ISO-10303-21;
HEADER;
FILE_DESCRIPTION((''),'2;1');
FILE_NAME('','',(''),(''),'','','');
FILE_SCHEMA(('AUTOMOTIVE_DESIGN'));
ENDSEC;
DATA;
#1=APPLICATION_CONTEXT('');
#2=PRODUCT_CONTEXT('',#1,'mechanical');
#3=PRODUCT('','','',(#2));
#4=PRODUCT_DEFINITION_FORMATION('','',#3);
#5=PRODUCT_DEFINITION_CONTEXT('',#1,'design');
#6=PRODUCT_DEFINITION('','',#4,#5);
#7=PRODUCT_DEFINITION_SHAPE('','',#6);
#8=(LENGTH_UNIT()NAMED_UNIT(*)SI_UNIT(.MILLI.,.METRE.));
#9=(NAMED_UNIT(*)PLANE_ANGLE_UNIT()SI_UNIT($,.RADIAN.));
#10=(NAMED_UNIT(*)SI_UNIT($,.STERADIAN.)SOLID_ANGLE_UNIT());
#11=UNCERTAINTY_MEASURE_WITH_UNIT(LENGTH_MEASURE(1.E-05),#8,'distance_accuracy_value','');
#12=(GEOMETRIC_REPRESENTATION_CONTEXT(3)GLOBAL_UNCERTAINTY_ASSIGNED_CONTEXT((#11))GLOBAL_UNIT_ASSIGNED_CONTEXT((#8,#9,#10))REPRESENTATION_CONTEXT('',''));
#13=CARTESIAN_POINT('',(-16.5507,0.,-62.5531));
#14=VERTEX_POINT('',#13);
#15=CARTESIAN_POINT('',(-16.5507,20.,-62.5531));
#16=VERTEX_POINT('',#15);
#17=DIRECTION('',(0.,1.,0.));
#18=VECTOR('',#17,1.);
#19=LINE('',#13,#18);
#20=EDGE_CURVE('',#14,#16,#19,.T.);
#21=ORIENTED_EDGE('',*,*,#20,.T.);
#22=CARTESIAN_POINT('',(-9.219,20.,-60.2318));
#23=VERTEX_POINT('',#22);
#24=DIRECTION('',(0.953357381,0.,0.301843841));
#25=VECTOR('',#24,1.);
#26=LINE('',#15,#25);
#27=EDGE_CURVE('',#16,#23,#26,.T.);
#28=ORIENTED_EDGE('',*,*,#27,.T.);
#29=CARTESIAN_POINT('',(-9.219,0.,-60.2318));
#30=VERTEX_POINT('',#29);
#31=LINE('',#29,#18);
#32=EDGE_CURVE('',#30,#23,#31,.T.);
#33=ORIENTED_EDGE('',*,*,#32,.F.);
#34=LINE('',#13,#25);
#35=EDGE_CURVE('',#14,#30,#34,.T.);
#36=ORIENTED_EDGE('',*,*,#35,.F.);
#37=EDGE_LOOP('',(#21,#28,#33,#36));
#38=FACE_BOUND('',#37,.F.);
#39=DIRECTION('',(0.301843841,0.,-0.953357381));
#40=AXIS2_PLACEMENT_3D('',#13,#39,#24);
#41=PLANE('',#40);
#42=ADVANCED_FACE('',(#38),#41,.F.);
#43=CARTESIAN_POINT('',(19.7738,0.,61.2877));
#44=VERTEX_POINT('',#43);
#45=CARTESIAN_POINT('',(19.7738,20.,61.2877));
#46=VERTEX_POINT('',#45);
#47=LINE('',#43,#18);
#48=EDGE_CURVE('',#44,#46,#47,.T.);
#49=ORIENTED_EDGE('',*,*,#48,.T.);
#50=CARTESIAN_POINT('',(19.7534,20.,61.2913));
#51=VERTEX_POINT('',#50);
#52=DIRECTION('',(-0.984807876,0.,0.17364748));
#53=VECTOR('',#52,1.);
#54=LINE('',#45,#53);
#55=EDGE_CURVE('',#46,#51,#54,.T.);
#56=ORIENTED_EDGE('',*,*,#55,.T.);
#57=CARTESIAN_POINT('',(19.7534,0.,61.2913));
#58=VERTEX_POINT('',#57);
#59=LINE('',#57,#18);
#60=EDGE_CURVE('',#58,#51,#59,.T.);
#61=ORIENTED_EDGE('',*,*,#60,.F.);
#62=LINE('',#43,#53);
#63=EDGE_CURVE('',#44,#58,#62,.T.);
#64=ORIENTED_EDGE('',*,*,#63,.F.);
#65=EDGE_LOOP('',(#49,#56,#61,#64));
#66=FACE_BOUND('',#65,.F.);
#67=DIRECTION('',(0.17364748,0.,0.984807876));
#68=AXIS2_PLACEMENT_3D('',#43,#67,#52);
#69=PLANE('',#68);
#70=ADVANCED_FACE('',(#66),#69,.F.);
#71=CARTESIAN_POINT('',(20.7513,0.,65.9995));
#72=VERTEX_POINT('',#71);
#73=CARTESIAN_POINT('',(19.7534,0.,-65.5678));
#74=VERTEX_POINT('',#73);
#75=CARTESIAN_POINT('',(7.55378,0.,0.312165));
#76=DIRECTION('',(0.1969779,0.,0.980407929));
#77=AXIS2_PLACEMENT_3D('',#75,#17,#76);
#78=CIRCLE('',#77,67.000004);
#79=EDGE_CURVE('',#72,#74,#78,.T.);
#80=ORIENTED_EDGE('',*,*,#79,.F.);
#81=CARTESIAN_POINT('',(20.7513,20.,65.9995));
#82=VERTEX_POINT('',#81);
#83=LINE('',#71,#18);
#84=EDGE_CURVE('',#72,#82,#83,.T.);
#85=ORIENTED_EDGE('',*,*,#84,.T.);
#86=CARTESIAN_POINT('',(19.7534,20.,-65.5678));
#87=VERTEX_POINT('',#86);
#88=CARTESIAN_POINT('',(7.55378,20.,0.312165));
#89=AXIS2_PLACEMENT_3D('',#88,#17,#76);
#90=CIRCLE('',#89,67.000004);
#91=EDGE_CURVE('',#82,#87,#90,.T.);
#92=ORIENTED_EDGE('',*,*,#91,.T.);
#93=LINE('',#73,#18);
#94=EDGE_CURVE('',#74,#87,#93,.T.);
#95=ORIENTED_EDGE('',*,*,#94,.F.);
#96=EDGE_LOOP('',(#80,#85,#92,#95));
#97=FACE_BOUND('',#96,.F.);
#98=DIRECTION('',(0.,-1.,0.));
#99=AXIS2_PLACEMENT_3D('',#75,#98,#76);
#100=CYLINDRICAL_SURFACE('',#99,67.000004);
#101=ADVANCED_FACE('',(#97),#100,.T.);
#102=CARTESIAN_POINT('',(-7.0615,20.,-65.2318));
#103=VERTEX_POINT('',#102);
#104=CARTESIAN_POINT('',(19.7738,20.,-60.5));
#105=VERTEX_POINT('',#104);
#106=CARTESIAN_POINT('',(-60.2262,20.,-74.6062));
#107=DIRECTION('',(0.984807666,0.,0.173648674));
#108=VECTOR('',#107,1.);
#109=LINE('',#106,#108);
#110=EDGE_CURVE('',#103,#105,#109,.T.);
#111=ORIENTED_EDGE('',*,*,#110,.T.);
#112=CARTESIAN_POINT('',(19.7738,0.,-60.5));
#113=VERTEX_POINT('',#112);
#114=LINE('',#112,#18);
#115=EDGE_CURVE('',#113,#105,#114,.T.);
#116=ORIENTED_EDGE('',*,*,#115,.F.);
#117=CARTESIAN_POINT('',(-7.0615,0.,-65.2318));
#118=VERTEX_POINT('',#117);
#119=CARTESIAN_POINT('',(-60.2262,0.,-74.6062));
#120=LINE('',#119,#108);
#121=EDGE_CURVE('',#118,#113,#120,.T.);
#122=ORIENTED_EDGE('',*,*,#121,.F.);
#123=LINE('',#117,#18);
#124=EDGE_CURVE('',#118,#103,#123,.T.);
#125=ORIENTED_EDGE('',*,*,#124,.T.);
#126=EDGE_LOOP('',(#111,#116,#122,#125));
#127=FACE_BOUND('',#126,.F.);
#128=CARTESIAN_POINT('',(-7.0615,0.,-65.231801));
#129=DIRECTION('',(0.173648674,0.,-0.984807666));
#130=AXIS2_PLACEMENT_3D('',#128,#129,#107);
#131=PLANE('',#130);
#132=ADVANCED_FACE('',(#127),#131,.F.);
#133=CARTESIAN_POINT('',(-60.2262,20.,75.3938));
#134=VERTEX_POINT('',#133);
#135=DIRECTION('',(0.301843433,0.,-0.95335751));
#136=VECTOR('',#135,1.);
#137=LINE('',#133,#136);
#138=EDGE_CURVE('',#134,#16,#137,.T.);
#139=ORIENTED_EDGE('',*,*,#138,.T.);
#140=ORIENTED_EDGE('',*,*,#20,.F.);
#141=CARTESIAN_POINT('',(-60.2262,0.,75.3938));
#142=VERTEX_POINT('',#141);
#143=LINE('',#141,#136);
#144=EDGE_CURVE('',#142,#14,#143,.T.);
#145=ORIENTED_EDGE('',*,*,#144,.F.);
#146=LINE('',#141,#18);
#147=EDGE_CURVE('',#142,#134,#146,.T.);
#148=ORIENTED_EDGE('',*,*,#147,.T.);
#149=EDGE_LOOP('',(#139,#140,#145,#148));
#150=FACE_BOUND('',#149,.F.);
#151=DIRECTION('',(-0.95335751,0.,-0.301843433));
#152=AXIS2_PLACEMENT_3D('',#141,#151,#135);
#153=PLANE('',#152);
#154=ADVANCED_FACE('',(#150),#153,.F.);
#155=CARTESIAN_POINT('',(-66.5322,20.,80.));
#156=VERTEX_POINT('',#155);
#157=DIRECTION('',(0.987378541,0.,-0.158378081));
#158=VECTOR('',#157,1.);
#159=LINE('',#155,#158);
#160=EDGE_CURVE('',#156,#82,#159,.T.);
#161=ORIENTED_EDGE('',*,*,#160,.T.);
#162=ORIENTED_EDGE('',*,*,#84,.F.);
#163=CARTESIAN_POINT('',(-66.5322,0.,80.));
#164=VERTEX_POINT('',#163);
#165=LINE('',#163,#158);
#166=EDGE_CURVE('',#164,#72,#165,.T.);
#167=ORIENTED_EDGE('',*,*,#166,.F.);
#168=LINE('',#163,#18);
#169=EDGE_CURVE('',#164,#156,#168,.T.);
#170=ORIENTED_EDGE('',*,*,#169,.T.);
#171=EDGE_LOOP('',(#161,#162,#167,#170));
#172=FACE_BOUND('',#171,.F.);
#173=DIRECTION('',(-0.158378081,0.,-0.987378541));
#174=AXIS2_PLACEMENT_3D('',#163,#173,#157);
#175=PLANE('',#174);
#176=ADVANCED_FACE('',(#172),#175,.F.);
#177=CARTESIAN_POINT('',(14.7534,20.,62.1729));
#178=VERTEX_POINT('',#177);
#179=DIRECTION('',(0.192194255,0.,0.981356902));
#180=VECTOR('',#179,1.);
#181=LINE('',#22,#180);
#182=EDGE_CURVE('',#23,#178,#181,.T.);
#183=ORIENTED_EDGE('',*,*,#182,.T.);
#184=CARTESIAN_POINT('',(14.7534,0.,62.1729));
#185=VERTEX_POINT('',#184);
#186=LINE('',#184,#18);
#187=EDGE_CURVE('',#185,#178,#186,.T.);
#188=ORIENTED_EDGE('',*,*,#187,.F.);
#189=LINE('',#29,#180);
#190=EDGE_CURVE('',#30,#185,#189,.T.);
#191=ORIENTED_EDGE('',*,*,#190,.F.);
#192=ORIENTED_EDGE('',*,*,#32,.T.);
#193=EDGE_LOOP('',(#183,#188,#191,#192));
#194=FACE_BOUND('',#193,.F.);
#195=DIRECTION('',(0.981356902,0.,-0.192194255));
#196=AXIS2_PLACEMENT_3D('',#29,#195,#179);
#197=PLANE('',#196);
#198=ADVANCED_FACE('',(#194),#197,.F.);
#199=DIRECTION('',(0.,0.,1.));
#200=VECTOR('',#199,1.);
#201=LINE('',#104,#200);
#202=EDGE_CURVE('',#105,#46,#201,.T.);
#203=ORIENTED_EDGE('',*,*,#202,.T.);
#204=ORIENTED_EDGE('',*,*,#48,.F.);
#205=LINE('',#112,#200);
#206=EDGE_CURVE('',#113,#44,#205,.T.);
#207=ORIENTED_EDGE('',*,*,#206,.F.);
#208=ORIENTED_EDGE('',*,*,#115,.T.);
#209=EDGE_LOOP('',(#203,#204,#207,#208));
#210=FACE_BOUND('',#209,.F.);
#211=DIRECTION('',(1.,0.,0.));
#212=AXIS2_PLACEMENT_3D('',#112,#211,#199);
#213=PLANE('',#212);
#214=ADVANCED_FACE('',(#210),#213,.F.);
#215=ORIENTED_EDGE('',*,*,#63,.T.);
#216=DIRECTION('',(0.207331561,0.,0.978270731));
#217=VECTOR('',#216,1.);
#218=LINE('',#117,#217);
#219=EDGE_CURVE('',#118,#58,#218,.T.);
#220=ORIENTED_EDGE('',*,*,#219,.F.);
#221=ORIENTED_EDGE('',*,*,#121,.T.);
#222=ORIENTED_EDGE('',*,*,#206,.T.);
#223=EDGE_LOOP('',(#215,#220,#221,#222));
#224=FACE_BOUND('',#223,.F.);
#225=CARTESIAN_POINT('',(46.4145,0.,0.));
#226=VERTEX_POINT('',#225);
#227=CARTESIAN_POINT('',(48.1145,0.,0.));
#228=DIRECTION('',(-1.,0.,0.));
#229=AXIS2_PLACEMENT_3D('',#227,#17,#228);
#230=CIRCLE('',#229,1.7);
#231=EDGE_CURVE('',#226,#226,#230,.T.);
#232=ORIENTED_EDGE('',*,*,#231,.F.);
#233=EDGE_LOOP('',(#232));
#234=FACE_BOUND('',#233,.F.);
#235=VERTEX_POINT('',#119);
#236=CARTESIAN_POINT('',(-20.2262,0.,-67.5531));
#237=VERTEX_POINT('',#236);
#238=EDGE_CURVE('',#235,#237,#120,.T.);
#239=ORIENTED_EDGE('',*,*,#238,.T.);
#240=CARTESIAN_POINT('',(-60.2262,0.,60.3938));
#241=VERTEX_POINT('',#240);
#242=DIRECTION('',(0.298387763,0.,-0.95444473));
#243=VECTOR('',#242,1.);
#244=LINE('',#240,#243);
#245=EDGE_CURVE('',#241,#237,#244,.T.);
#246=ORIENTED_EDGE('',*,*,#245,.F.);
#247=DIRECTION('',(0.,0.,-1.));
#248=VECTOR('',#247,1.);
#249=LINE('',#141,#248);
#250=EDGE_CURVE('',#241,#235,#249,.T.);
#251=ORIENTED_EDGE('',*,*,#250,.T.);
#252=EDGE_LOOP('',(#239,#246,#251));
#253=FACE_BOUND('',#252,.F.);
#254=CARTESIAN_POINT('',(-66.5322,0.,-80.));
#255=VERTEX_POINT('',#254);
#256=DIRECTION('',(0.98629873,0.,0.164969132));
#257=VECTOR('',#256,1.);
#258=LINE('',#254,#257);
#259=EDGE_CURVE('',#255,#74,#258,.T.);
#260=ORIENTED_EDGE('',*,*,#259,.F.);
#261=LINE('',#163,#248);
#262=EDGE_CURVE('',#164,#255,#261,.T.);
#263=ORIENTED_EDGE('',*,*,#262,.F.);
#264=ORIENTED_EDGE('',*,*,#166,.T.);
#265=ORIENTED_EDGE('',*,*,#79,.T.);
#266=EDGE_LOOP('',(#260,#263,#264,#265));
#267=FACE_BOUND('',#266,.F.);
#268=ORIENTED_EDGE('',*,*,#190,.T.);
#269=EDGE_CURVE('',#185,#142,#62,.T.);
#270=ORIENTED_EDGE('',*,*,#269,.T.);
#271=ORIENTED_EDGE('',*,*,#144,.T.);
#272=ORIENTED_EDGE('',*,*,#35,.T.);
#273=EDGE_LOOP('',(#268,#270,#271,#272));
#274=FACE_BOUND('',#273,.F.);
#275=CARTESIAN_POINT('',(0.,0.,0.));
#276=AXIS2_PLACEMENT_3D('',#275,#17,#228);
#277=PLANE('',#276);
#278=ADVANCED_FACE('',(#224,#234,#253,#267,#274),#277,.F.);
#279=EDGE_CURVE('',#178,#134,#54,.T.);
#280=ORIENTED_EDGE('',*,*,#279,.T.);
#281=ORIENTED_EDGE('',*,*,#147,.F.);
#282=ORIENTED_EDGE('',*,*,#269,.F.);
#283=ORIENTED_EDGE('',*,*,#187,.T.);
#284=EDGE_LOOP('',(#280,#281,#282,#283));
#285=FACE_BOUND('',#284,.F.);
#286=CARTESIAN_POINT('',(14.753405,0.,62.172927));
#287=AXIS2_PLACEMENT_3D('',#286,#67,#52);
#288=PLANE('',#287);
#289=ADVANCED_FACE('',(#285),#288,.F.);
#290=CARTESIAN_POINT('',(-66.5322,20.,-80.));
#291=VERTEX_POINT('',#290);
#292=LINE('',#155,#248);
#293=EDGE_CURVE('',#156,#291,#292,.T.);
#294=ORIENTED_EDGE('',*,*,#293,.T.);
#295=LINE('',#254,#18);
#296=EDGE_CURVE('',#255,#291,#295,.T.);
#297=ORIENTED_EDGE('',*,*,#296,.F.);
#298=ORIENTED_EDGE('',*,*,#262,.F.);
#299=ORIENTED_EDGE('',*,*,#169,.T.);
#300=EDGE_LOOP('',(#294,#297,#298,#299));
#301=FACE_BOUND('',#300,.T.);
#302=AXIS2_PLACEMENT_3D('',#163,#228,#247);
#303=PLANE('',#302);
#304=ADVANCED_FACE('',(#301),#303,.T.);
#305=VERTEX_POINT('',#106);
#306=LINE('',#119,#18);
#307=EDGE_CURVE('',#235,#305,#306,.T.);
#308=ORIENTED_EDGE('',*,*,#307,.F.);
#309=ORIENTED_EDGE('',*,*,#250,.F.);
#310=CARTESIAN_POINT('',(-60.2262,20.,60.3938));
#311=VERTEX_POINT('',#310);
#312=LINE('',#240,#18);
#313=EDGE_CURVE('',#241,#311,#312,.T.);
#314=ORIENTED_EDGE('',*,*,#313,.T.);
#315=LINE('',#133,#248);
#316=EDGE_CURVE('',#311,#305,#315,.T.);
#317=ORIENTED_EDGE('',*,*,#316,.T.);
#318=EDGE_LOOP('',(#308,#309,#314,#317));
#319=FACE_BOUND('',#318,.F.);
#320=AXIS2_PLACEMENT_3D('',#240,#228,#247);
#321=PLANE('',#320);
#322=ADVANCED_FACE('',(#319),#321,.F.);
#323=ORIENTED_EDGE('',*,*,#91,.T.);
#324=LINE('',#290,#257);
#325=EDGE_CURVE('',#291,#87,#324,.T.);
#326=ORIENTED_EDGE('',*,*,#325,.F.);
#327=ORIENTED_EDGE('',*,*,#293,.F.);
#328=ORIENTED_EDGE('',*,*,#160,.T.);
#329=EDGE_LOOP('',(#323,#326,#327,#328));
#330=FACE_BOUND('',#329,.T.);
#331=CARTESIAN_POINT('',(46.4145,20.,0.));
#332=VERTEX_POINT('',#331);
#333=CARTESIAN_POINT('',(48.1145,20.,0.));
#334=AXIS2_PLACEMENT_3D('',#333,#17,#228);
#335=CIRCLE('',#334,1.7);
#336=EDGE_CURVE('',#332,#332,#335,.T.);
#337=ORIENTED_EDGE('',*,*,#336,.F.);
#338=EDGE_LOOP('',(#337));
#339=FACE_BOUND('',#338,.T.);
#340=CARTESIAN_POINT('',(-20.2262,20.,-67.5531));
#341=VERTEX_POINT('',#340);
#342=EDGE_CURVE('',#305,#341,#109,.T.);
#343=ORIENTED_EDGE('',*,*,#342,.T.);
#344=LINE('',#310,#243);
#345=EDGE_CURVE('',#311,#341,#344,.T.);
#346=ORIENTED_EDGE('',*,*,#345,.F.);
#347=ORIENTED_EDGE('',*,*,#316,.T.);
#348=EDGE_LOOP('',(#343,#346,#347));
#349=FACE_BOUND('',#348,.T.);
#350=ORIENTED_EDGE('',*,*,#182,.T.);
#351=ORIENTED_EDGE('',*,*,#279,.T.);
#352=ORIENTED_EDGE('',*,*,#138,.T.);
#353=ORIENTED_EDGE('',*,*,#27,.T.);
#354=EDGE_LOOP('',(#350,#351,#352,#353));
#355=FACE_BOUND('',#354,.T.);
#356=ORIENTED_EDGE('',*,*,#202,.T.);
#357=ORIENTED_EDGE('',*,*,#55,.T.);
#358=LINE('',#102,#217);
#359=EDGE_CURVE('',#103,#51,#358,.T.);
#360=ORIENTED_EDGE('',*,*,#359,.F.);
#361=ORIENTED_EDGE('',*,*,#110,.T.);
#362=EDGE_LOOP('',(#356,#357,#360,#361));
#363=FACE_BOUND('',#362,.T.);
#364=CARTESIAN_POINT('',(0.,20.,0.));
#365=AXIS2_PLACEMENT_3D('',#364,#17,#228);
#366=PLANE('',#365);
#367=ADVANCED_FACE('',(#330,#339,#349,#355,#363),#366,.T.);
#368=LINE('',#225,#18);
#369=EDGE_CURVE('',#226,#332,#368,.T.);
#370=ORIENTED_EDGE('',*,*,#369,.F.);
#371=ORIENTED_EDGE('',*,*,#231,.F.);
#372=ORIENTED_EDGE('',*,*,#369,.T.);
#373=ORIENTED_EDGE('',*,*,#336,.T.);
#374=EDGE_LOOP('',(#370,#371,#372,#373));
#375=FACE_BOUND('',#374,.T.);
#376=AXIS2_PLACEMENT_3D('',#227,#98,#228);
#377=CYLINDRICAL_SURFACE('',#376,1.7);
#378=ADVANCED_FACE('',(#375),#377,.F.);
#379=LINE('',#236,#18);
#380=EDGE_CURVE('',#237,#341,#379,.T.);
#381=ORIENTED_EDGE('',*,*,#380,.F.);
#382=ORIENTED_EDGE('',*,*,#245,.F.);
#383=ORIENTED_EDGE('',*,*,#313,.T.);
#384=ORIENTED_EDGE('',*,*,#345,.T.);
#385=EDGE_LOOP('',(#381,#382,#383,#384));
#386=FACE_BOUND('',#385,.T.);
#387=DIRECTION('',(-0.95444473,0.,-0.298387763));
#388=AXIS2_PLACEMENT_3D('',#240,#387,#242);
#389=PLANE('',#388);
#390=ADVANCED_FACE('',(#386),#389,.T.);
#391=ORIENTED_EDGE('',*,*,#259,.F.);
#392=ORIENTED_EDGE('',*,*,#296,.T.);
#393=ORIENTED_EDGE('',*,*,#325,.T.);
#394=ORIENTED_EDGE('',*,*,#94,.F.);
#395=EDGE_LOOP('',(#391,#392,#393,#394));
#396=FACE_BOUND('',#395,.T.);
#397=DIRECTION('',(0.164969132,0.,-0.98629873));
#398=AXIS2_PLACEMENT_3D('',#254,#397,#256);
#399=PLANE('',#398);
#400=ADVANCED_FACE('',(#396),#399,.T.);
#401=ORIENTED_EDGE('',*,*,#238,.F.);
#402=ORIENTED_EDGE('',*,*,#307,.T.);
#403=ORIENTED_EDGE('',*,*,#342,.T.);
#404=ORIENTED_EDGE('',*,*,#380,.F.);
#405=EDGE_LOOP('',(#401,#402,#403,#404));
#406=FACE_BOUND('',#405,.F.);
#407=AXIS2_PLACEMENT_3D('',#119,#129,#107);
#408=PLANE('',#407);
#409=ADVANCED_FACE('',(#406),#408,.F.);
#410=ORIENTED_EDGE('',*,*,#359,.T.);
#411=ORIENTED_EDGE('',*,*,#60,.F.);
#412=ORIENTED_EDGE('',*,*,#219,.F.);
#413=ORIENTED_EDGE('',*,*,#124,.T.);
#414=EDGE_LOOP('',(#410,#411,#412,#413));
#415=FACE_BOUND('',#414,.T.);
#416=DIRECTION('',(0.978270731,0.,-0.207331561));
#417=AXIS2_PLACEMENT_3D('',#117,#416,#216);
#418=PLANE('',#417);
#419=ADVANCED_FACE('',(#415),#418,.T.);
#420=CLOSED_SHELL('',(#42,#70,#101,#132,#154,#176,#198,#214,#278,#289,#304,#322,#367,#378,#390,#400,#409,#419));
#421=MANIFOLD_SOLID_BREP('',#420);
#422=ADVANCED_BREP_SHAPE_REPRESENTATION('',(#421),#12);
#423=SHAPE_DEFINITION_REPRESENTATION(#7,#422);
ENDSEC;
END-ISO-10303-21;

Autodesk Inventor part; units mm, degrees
ref_plane "YZ Plane" through (0, 0, 0) normal (1, 0, 0) x (0, 1, 0)
ref_plane "XZ Plane" through (0, 0, 0) normal (0, 1, 0) x (-1, 0, 0)
ref_plane "XY Plane" through (0, 0, 0) normal (0, 0, 1) x (1, 0, 0)
sketch "Skizze1" plane through (0, 0, 0) normal (0, 1, 0) x (-1, 0, 0)
  line L0 (60.2262, 75.3938) -> (60.2262, -74.6062)
  line L1 (60.2262, -74.6062) -> (-19.7738, -60.5)
  line L2 (-19.7738, -60.5) -> (-19.7738, 61.2877)
  line L3 (-19.7738, 61.2877) -> (60.2262, 75.3938)
  arc A0 (-19.7738, 61.2877) -> (-19.7738, -60.5) centre (-8.1145, 0.3938) ccw
  circle A1 centre (-48.1145, 0) radius 1.7
  line L4 (60.2262, 60.3938) -> (20.2262, -67.5531)
  line L5 (7.0615, -65.2318) -> (-19.7534, 61.2913)
  line L6 (60.2262, 75.3938) -> (16.5507, -62.5531)
  line L7 (16.5507, -62.5531) -> (9.219, -60.2318)
  line L8 (9.219, -60.2318) -> (-14.7534, 62.1729)
  line L9 (66.5322, 80) -> (66.5322, -80)
  line L10 (66.5322, -80) -> (-19.7534, -65.5678)
  line L11 (66.5322, 80) -> (-20.7513, 65.9995)
  arc A2 (-20.7513, 65.9995) -> (-19.7534, -65.5678) centre (-7.5537, 0.3121) ccw
  point P0 (0, 0)
  point P1 (0, 0)
  dimension "d6" = 150
  dimension "d8" = 80
  dimension "d9" = 100
  dimension "d10" = 100
  dimension "d12" = 60.5
  dimension "d15" = 62
  dimension "d16" = 3.4
  dimension "d17" = 40
  dimension "d18" = 15
  dimension "d22" = 5
  dimension "d23" = 5
  dimension "d25" = 5
  dimension "d26" = 5
  dimension "d27" = 3.1473
  dimension "d28" = 7.3316
  dimension "d29" = 160
  dimension "d30" = 80
  dimension "d31" = 67
extrude "Extrusion1" add sketch "Skizze1" along normal blind 20 contours L0 L4 L1 L5 L3 L8 L7 L6 | L2 A0 | L9 L10 A2 L11
properties part number "Radaufhängung"
